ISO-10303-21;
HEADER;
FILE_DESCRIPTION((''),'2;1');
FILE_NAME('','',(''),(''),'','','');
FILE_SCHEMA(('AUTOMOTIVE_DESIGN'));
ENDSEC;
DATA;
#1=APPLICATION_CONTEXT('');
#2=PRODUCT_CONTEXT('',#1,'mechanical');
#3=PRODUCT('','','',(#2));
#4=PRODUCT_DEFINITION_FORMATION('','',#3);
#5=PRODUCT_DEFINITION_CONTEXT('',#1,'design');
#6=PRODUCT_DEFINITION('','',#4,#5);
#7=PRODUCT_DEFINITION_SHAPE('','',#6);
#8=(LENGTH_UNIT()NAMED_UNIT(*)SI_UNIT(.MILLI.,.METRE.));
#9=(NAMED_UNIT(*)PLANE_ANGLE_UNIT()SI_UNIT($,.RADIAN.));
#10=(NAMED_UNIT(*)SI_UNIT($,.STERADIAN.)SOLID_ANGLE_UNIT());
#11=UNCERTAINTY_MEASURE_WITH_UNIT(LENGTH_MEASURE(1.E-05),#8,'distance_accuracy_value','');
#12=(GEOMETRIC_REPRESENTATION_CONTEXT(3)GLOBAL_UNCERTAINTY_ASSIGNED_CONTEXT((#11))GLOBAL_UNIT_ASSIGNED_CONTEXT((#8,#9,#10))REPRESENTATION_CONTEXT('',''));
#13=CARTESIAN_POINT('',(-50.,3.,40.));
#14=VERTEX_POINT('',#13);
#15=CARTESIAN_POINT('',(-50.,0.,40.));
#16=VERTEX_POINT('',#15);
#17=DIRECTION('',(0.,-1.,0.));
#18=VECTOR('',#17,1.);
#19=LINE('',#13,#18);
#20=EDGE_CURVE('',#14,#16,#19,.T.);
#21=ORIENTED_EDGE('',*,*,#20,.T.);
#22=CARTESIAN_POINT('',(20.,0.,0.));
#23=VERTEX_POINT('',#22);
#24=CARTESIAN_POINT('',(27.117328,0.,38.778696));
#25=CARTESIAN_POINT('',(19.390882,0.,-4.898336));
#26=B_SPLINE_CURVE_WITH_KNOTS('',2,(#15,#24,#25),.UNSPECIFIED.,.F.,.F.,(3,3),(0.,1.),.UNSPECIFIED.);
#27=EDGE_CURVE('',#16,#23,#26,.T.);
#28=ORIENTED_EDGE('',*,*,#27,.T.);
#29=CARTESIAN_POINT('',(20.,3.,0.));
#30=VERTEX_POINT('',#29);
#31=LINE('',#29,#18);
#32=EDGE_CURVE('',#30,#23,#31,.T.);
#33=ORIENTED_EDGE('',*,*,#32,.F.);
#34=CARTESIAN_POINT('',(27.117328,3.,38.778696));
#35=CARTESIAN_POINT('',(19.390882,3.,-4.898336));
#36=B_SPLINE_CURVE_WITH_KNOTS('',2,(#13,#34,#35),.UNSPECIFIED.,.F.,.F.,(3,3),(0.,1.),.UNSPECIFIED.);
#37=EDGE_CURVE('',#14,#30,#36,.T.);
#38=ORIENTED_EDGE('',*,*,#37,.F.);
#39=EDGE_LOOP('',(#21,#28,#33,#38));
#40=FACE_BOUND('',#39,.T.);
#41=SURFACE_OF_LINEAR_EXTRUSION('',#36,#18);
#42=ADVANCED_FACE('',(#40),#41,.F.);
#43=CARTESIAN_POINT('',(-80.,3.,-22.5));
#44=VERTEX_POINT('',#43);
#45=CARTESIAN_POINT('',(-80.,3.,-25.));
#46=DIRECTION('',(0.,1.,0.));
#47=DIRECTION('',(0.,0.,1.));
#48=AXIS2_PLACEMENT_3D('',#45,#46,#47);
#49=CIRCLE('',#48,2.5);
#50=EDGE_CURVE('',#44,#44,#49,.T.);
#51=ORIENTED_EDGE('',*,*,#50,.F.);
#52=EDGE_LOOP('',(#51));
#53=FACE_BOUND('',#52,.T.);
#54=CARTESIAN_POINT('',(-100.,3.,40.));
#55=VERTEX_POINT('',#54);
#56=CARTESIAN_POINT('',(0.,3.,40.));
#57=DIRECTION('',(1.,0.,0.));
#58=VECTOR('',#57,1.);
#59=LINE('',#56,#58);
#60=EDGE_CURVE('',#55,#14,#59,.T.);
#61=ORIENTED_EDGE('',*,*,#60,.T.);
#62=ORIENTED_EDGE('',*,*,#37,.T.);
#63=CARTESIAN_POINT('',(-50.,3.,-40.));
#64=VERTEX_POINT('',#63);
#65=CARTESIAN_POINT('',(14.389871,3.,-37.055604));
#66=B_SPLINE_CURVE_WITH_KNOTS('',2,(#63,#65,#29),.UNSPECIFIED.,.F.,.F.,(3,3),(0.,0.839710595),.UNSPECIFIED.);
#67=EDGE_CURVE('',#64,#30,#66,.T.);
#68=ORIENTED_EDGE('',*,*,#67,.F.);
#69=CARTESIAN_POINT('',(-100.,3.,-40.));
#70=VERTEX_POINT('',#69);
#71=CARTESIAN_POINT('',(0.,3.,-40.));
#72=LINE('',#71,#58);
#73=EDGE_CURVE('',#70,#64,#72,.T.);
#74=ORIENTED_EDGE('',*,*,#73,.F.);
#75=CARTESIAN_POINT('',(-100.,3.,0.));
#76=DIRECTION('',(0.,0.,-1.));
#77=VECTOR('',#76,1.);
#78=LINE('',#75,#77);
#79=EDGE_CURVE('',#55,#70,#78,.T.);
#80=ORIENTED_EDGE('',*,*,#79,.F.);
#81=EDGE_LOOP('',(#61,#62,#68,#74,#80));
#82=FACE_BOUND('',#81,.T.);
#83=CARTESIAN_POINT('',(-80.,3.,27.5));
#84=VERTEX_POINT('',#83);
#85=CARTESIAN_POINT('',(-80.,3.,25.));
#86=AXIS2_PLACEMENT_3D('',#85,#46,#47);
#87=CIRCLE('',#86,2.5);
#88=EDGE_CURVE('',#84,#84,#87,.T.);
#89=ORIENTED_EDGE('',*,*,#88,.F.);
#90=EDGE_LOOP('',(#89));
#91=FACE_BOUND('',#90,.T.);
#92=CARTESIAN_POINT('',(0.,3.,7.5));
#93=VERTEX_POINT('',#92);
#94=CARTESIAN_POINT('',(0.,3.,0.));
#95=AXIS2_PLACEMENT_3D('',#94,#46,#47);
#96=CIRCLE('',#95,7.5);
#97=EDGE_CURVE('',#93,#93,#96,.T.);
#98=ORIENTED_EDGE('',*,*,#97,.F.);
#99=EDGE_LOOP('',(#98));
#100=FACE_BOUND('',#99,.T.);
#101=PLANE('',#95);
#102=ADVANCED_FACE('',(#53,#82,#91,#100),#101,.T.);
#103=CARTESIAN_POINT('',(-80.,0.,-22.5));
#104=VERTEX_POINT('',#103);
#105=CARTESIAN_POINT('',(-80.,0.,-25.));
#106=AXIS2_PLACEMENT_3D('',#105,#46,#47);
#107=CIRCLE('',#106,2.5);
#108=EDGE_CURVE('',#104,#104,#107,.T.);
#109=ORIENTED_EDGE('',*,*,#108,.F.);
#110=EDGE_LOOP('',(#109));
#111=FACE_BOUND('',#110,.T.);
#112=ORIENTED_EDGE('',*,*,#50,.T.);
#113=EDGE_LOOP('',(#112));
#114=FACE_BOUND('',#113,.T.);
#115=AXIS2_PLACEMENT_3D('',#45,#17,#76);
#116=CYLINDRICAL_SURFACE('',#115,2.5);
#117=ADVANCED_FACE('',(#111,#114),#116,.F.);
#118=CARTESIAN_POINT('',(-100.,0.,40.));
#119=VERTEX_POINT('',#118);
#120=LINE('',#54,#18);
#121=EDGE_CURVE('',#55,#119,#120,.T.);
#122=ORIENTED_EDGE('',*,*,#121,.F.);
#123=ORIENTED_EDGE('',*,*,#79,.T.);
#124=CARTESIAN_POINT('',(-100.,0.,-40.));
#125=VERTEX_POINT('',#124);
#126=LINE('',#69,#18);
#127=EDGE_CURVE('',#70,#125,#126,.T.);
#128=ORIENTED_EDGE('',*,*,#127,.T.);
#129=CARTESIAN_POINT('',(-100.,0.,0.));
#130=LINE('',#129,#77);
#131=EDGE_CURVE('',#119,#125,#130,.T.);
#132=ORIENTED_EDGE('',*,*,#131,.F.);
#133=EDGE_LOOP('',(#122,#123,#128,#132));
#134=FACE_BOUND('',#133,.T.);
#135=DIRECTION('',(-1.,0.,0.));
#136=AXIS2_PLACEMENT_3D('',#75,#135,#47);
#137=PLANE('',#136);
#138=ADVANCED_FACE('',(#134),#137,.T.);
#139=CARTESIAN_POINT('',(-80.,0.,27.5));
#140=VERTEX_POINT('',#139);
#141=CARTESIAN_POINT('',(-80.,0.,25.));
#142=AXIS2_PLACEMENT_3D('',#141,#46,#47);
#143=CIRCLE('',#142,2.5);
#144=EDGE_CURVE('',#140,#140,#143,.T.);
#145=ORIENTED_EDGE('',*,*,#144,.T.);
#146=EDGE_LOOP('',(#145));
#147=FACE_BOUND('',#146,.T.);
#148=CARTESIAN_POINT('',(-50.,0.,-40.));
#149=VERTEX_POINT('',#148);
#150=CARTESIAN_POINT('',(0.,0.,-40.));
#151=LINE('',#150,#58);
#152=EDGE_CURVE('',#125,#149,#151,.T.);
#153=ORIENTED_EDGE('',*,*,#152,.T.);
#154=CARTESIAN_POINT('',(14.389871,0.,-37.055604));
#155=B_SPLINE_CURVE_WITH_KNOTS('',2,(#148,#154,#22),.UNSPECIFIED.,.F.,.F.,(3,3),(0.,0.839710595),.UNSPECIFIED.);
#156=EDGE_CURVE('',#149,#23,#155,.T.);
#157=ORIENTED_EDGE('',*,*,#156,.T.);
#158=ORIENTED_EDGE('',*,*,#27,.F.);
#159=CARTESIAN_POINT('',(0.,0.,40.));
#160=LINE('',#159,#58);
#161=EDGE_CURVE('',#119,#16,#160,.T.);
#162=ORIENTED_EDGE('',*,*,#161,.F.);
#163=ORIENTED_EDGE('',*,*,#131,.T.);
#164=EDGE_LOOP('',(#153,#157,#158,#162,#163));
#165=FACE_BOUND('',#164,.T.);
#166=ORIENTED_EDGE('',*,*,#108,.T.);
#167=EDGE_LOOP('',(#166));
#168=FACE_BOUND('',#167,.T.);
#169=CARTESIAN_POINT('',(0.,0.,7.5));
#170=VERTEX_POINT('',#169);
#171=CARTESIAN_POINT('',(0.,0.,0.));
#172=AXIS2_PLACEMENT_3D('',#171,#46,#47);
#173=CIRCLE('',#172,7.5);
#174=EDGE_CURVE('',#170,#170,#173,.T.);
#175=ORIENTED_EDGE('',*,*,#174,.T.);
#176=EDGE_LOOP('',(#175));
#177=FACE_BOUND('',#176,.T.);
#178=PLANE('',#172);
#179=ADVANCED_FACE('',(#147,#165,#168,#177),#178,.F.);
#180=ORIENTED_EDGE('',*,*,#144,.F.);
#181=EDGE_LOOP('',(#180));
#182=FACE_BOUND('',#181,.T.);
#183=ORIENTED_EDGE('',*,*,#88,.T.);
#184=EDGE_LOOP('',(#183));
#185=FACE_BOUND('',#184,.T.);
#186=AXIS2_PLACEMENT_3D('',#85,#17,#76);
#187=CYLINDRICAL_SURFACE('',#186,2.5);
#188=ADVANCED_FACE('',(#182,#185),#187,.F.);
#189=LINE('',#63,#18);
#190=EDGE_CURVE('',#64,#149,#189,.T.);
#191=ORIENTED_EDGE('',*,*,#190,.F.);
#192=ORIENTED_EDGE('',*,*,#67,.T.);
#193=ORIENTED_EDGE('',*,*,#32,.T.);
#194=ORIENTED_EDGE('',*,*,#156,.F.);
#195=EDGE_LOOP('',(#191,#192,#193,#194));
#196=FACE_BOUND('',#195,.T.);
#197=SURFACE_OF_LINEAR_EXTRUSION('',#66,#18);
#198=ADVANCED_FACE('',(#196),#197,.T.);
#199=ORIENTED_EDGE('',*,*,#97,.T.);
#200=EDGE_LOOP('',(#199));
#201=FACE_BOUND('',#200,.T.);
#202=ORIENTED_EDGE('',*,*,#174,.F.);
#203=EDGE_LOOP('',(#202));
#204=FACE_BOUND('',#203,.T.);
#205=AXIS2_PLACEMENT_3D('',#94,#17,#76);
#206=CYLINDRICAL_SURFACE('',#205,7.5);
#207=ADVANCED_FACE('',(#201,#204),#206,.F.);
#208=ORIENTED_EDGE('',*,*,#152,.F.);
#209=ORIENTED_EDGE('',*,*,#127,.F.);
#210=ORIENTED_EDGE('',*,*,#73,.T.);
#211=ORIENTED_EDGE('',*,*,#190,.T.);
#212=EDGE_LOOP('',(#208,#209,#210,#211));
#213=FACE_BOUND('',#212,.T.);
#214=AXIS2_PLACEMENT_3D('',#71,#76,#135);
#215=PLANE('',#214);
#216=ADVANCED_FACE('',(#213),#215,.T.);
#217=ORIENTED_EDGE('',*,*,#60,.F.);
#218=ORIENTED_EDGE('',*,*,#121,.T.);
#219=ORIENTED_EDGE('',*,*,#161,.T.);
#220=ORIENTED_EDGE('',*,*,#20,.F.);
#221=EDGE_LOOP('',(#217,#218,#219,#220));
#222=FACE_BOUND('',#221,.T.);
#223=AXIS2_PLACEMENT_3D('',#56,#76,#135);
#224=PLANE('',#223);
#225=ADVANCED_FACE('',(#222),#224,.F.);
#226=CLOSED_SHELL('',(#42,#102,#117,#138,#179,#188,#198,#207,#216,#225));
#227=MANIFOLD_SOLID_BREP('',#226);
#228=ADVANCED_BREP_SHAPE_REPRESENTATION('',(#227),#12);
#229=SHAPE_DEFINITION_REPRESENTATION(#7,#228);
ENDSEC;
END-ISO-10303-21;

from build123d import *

# Parameters (mm, degrees)
SKETCH1_R           = 2.5
SKETCH1_R_2         = 7.5
BOSS_EXTRUDE1_DEPTH = 3


with BuildPart() as part:
    # Sketch1 → Boss-Extrude1 (new body)
    with BuildSketch(Plane(origin=(0, 0, 0), x_dir=(1, 0, 0), z_dir=(0, 1, 0))):
        with BuildLine():
            Line((-100, 40), (-100, -40))
            Line((-100, -40), (-50, -40))
            add(Edge.make_bspline(
                [(-50, -40), (22.668262508, -38.849155335), (20, 0)],
                knots=[0, 0, 0, 0.942307838, 0.942307838, 0.942307838], degree=2))
            add(Edge.make_bspline(
                [(16.665092834, 11.057788243), (19.095873291, 5.971869908), (20, 0)],
                knots=[0.704383091, 0.704383091, 0.704383091, 0.839710595, 0.839710595, 0.839710595], degree=2))
            add(Edge.make_bspline(
                [(-50, 40), (4.01281886, 37.53012226), (16.665092834, 11.057788243)],
                knots=[0, 0, 0, 0.704383091, 0.704383091, 0.704383091], degree=2))
            Line((-50, 40), (-100, 40))
        make_face()
        with Locations(Location((-80, -25, 0), (0, 0, 270))):
            Circle(SKETCH1_R, mode=Mode.SUBTRACT)
        with Locations(Location((-80, 25, 0), (0, 0, 270))):
            Circle(SKETCH1_R, mode=Mode.SUBTRACT)
        with Locations(Location((0, 0, 0), (0, 0, 270))):
            Circle(SKETCH1_R_2, mode=Mode.SUBTRACT)
    extrude(amount=BOSS_EXTRUDE1_DEPTH)


solid = part.part
